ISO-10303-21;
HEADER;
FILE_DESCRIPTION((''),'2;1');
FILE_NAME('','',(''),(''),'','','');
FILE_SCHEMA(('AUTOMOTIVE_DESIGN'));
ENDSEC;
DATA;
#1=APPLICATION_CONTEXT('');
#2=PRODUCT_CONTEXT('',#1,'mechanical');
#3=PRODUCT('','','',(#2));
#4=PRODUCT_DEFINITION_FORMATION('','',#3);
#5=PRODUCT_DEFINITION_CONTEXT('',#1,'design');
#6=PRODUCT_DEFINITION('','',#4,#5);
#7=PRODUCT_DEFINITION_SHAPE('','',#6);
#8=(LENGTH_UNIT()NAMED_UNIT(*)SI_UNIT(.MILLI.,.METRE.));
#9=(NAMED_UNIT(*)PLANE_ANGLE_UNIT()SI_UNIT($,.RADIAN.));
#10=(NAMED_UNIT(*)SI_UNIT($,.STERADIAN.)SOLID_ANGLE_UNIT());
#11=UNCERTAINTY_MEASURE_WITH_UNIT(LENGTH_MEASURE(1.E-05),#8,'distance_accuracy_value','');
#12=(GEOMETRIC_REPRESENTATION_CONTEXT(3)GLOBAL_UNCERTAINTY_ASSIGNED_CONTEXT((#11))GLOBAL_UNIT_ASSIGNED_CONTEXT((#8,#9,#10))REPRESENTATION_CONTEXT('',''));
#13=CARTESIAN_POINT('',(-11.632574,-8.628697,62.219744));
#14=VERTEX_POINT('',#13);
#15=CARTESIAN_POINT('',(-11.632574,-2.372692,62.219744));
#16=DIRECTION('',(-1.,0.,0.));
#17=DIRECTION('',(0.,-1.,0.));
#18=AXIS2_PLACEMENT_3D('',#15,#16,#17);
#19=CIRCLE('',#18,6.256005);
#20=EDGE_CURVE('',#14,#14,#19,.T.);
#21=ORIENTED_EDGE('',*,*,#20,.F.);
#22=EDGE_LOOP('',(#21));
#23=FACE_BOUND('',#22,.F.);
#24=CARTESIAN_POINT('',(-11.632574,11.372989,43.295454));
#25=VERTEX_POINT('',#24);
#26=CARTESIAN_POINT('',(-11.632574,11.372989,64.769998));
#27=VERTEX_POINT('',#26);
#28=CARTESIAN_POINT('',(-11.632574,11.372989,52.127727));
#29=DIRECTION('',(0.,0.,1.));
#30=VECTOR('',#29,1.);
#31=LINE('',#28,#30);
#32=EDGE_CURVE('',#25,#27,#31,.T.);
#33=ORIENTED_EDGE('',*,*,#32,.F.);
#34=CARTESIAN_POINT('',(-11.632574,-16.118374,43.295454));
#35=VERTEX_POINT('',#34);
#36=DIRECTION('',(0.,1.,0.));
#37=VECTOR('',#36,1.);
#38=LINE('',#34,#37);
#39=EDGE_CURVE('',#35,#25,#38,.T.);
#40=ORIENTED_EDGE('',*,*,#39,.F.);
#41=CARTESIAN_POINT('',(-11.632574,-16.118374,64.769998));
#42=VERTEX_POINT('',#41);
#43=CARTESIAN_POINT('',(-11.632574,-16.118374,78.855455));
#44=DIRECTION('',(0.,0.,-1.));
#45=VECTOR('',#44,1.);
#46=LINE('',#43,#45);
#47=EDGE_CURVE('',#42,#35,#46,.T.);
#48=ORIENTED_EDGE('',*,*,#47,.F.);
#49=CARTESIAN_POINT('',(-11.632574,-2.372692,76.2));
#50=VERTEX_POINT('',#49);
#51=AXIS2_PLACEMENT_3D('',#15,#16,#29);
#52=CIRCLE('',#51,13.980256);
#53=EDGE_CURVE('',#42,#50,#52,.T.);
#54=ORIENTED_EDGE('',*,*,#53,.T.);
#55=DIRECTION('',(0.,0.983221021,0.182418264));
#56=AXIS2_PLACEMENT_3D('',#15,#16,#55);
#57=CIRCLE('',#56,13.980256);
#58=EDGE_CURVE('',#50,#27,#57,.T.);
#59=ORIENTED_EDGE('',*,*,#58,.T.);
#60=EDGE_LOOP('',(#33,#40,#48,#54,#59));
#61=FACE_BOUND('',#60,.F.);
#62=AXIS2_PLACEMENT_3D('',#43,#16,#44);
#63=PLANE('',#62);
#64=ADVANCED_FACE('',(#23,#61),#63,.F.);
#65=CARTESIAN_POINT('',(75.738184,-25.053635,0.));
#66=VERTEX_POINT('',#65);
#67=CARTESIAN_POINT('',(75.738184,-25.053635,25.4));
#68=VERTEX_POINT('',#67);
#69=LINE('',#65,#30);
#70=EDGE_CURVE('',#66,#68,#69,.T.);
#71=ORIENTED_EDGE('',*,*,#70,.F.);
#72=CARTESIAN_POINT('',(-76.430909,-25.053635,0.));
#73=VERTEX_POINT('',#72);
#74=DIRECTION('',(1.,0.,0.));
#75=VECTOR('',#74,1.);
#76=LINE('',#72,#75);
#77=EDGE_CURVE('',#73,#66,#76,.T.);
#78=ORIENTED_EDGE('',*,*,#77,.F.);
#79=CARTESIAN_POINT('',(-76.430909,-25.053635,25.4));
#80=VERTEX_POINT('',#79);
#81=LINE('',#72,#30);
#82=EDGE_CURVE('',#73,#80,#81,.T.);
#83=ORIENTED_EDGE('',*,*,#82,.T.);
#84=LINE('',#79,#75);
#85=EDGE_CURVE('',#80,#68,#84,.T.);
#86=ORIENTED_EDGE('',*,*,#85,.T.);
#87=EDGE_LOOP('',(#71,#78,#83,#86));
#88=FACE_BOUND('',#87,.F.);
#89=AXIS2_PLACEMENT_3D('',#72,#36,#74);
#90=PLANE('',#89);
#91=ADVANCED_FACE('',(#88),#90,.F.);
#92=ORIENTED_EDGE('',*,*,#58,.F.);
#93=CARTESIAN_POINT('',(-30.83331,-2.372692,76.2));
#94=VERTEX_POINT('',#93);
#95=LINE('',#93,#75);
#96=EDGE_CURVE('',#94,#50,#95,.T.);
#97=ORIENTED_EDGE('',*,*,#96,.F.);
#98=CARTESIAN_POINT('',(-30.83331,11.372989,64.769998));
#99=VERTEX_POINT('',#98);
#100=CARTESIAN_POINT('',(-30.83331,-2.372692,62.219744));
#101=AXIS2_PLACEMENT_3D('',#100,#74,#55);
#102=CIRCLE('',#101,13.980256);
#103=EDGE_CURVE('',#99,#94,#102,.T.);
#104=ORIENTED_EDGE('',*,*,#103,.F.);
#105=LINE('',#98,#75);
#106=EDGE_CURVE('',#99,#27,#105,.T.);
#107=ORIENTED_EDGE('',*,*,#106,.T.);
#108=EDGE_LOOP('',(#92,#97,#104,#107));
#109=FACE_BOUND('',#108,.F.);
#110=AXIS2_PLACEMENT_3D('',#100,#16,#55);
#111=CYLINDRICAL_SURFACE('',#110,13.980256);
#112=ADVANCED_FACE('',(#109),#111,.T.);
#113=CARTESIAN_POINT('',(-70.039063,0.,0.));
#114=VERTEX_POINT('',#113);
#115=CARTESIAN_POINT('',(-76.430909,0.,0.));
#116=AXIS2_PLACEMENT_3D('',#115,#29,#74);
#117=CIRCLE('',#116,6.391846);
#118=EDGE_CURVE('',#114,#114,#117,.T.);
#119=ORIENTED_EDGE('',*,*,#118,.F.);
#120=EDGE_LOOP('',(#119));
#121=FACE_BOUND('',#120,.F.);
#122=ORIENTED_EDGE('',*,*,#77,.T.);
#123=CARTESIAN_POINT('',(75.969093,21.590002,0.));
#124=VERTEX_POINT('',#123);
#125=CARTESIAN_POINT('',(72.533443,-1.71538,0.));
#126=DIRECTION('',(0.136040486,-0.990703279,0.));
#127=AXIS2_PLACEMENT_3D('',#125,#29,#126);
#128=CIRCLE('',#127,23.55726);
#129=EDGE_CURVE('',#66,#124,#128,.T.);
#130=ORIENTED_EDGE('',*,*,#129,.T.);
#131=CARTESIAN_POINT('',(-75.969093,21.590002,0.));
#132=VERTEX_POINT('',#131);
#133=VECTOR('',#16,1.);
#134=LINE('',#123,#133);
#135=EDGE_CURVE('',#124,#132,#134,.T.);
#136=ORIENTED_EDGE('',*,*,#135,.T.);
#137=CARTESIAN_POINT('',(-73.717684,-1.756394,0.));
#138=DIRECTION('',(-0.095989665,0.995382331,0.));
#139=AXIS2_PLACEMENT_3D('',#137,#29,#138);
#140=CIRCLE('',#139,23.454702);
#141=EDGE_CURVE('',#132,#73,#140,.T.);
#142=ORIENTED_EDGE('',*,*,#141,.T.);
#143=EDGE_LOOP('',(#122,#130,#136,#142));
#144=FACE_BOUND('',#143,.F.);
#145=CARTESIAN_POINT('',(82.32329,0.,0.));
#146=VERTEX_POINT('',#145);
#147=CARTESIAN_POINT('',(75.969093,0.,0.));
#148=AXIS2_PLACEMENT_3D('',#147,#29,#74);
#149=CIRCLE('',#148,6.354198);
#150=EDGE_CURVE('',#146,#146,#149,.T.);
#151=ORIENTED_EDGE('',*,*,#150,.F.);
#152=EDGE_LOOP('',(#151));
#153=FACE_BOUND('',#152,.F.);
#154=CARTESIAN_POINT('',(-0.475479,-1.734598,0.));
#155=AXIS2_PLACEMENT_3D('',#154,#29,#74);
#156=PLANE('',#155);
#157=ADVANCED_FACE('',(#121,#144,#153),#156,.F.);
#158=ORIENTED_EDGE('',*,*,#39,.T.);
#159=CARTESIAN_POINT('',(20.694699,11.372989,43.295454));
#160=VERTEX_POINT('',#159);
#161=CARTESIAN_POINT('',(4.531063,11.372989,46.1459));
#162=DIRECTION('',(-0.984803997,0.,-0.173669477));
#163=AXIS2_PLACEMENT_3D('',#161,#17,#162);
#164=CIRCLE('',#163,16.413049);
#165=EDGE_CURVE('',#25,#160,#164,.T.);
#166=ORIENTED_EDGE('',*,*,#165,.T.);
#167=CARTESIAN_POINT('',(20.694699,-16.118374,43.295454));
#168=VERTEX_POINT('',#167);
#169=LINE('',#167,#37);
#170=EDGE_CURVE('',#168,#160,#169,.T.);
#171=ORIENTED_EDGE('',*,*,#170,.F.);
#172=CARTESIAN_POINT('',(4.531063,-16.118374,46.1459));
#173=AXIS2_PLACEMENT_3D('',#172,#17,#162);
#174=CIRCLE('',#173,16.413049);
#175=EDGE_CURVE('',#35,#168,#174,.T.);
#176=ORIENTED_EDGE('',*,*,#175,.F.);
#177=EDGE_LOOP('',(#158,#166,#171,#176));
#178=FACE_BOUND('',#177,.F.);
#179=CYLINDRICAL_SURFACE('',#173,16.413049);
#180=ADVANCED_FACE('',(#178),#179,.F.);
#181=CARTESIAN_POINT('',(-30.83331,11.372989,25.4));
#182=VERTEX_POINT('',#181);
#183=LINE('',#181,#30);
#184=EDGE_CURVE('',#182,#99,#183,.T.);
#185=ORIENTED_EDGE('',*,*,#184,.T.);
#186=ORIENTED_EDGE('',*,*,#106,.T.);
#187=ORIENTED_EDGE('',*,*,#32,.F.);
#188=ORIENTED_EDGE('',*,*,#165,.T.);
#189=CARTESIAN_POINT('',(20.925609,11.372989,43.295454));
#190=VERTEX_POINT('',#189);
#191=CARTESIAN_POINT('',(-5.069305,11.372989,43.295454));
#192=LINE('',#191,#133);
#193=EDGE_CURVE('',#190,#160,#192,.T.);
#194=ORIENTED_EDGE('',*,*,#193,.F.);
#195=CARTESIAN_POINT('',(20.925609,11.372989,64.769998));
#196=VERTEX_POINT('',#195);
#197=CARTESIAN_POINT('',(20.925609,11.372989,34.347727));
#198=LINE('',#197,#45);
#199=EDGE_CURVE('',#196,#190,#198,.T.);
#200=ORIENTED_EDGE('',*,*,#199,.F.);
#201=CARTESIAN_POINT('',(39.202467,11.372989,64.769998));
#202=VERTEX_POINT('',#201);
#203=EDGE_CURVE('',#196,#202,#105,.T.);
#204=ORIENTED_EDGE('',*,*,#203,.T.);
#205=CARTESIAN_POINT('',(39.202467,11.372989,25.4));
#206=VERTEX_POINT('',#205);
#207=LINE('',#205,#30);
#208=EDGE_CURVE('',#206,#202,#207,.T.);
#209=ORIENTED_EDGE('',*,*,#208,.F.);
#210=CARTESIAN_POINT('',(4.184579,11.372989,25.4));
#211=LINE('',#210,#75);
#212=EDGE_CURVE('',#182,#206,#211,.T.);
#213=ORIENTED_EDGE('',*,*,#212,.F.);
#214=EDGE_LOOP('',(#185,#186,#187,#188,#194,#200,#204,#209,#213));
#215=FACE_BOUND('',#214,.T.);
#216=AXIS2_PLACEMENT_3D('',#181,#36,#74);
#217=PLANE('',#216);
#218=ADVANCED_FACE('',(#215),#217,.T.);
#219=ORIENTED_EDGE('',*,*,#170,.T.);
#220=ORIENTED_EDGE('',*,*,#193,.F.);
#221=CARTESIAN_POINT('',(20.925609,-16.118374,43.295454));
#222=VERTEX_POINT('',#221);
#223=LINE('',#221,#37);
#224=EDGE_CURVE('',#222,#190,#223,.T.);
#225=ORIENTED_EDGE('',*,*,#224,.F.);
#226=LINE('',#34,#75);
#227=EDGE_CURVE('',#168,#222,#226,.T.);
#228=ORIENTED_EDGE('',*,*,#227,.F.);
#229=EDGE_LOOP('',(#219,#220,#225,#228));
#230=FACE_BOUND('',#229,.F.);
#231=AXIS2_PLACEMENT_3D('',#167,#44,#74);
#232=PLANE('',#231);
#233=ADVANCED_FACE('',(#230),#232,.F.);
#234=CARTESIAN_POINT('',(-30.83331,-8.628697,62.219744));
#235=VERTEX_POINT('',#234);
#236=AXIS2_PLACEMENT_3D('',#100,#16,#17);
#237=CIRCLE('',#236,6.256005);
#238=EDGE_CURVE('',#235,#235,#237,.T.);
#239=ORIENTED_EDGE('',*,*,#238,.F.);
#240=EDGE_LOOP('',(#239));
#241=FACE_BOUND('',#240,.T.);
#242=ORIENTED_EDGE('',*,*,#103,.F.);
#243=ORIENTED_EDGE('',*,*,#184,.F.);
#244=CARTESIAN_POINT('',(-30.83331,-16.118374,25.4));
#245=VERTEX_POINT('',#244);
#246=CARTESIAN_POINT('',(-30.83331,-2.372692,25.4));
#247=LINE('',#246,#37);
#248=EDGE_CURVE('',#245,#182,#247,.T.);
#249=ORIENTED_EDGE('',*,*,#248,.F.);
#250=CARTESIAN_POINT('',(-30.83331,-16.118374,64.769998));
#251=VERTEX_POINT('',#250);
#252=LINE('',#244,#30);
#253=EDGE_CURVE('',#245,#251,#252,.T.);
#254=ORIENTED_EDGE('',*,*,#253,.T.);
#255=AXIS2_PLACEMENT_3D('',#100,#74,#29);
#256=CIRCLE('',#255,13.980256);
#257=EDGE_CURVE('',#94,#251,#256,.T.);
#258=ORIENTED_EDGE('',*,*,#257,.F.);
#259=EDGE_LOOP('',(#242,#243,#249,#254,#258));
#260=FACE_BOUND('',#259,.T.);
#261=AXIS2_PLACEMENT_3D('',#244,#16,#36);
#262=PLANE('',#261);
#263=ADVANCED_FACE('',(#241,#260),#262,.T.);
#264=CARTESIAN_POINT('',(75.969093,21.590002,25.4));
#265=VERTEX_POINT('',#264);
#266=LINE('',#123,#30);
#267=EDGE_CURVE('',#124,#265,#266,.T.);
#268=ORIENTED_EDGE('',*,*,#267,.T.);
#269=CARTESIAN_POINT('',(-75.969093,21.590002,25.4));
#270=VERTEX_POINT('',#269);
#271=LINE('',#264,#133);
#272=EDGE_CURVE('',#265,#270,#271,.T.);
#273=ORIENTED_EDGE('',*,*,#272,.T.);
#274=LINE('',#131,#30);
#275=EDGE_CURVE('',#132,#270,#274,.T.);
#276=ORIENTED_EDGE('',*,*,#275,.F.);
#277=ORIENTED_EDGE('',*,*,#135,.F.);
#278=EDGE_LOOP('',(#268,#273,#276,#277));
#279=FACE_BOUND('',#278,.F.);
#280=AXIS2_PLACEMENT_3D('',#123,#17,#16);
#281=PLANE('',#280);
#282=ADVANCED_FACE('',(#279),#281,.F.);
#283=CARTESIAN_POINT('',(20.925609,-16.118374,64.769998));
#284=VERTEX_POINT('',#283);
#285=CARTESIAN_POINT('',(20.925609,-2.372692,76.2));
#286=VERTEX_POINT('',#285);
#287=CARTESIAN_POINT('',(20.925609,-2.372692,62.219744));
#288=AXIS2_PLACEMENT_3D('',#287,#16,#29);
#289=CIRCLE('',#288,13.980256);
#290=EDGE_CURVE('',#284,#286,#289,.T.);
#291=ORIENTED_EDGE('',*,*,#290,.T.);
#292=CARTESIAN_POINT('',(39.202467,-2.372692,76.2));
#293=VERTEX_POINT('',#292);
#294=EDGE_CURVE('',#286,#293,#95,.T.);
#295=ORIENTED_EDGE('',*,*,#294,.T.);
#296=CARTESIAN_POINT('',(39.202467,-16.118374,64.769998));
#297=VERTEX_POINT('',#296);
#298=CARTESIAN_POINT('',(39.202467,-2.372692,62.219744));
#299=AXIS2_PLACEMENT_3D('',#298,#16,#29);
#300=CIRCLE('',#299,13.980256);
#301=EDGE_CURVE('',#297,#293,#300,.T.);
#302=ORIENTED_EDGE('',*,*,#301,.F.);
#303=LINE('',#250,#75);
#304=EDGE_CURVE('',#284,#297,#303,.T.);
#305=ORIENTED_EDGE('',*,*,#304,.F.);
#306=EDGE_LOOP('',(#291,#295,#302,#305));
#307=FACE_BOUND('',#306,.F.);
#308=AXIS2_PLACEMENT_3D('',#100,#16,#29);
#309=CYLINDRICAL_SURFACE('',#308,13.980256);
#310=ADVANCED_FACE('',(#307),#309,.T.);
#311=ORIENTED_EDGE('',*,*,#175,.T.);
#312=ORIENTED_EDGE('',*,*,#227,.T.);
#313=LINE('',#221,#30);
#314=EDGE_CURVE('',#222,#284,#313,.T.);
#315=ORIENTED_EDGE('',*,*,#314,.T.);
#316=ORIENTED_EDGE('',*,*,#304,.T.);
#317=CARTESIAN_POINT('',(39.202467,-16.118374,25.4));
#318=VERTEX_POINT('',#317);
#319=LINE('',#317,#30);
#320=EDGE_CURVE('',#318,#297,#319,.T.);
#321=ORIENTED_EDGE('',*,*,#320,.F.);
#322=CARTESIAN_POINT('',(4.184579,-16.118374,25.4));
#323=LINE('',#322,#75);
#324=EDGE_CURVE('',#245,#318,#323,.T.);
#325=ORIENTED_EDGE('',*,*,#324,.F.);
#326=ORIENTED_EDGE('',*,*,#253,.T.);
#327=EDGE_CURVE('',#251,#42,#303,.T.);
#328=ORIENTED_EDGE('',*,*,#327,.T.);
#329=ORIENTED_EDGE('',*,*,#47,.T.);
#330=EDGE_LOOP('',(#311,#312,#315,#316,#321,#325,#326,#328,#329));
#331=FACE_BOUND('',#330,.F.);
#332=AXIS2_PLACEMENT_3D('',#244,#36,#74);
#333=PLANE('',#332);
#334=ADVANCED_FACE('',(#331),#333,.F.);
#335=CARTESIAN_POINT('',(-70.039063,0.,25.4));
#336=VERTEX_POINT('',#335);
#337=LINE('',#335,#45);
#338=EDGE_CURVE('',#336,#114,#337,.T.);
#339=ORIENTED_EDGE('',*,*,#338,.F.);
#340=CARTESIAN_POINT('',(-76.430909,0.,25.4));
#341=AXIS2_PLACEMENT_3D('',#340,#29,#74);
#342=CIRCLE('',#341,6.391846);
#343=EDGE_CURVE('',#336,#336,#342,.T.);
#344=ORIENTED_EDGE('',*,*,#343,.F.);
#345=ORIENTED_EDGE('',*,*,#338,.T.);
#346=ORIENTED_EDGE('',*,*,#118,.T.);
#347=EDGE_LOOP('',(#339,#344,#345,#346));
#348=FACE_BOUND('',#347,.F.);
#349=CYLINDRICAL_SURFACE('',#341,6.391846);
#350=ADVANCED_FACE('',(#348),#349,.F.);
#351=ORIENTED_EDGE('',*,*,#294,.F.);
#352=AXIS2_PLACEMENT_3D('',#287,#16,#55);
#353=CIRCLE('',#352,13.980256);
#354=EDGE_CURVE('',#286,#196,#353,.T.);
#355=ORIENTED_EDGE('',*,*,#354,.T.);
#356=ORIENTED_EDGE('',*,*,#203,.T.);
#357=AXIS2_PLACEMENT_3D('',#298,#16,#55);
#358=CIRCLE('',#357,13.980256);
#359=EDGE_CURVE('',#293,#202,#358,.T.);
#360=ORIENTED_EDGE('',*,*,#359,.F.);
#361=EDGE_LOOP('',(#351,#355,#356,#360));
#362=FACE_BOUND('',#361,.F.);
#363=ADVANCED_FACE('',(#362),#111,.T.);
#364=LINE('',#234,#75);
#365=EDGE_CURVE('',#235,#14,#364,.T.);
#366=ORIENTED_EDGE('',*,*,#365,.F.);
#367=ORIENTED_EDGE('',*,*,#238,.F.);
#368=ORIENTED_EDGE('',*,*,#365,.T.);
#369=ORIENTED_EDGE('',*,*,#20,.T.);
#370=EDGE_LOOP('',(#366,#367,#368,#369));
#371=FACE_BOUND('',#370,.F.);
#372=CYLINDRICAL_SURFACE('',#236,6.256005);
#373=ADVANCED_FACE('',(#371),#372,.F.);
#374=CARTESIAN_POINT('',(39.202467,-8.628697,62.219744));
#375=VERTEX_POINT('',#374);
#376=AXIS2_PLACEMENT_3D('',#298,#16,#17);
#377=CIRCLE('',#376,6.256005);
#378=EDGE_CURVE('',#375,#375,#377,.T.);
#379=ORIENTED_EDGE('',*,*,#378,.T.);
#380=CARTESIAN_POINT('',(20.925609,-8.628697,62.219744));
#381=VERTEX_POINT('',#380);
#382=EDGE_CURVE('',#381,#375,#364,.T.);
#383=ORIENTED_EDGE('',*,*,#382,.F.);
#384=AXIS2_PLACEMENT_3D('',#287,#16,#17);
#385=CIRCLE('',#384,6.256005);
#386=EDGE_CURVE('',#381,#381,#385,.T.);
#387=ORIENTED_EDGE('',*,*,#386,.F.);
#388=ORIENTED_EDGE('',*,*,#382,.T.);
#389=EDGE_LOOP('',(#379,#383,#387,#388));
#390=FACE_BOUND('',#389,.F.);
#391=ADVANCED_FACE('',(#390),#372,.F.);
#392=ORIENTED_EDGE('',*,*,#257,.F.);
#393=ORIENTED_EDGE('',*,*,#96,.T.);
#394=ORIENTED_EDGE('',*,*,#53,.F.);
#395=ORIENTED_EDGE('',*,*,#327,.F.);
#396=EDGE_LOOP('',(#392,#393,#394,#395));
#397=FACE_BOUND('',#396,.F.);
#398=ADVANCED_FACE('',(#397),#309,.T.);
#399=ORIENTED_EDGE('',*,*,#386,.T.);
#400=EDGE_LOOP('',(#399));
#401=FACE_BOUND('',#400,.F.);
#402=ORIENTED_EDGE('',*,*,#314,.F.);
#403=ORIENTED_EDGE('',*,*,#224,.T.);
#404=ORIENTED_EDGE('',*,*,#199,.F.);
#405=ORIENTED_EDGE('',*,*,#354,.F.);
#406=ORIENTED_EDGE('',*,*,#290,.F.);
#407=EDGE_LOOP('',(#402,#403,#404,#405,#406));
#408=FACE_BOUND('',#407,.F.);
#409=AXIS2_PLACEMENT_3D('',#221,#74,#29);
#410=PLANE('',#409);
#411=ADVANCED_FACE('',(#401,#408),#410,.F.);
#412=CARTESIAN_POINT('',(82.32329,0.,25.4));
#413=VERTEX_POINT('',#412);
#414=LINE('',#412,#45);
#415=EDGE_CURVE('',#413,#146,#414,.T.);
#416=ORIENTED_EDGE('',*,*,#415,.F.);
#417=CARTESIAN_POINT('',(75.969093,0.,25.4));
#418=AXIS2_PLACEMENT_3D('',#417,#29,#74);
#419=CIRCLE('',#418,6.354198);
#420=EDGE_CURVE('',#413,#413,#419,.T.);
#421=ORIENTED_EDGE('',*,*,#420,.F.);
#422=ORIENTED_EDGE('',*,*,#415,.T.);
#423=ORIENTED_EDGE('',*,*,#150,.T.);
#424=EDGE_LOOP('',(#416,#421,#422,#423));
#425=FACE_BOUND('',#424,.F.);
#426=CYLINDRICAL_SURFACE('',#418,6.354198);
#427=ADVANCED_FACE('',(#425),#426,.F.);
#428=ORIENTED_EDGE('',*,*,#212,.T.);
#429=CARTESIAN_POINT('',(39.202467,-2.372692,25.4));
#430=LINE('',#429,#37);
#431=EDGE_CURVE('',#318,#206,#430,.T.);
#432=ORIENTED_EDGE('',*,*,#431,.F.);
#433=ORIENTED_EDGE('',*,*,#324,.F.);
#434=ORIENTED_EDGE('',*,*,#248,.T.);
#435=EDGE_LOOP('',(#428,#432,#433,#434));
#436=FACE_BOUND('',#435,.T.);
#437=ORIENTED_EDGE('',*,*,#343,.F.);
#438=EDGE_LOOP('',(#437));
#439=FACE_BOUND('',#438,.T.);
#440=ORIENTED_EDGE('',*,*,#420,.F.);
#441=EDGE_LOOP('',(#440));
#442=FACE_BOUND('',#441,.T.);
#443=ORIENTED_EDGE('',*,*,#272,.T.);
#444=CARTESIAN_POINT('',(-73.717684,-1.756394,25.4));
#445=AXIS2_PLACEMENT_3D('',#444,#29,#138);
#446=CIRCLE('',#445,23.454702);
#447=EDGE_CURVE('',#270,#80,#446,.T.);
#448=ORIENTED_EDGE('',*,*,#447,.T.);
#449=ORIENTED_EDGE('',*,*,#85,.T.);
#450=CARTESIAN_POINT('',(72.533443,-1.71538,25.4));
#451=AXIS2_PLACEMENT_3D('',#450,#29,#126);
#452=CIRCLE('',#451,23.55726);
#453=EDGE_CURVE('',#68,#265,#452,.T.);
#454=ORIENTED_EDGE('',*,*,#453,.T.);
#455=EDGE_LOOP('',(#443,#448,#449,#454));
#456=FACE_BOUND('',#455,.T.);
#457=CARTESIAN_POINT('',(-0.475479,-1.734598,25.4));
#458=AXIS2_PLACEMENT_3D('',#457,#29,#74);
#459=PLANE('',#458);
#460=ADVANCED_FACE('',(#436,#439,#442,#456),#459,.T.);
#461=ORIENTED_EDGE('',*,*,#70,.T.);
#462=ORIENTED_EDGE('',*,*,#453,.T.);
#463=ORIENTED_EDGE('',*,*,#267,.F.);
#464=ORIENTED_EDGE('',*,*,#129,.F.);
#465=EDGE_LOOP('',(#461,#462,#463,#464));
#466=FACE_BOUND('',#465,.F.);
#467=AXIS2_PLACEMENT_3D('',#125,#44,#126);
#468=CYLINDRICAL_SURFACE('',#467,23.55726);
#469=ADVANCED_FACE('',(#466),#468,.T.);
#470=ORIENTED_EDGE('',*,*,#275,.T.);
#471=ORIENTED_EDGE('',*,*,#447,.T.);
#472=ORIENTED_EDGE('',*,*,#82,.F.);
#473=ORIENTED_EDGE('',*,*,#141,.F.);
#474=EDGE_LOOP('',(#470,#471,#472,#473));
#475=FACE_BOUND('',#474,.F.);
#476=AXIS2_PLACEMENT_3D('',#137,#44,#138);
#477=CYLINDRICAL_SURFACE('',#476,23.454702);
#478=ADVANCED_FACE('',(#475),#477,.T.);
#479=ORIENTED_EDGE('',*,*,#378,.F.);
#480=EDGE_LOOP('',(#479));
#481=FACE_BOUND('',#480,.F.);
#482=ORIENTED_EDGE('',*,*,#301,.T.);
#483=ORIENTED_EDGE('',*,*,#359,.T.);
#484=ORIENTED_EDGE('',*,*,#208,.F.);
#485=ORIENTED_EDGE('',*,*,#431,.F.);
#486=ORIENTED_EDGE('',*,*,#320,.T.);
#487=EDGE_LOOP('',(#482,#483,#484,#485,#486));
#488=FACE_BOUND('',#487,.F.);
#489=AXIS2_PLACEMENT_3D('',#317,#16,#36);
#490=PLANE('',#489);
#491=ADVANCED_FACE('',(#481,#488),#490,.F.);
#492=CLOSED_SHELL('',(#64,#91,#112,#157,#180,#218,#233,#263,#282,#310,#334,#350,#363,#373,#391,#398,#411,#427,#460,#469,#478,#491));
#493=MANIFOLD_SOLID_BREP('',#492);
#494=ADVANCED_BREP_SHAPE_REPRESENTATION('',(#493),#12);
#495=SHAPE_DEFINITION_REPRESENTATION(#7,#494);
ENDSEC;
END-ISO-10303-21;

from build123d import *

# Parameters (mm, degrees)
F1_DEPTH  = 25.4
F2_R      = 6.3918462825
F3_DEPTH  = 25.401
F4_R      = 6.3541975942
F5_DEPTH  = 25.401
F6_W      = 70.0357761234
F6_H      = 27.4913627654
F7_DEPTH  = 50.8
F9_DEPTH  = 126.9250129275
F10_R     = 6.2560049958
F11_DEPTH = 126.9250129275
F13_DEPTH = 37.709375603


with BuildPart() as f1:
    # F0 (on Top) → F1 (new body)
    with BuildSketch(Plane.XY):
        with BuildLine():
            Line((75.9690925479, 21.5900018811), (-75.9690925479, 21.5900018811))
            ThreePointArc((-75.9690925479, 21.5900018811), (-97.1712359727, -1.524181319), (-76.4309093356, -25.0536352396))
            Line((-76.4309093356, -25.0536352396), (75.738184154, -25.0536352396))
            ThreePointArc((75.738184154, -25.0536352396), (96.0904147546, -1.8319984366), (75.9690925479, 21.5900018811))
        make_face()
    extrude(amount=F1_DEPTH)

    # F2 (on face) → F3 (cut, through all)
    with BuildSketch(Plane.XY.offset(25.4)):
        with Locations((-76.4309093356, 0)):
            Circle(F2_R)
    extrude(amount=-F3_DEPTH, mode=Mode.SUBTRACT)

    # F4 (on face) → F5 (cut, through all)
    with BuildSketch(Plane.XY.offset(25.4)):
        with Locations((75.9690925479, 0)):
            Circle(F4_R)
    extrude(amount=-F5_DEPTH, mode=Mode.SUBTRACT)

    # F6 (on face) → F7 (join)
    with BuildSketch(Plane.XY.offset(25.4)):
        with Locations((4.1845785454, -2.3726923391)):
            Rectangle(F6_W, F6_H)
    extrude(amount=F7_DEPTH)

    # F8 (on face) → F9 (cut, through all)
    with BuildSketch(Plane(origin=(-30.8333095163, 0, 0), x_dir=(0, -1, 0), z_dir=(-1, 0, 0))):
        with BuildLine():
            ThreePointArc((-11.3729890436, 64.7699981928), (-6.5658296023, 72.9691803573), (2.3726923391, 76.2))
            Line((2.3726923391, 76.2), (-11.3729890436, 76.2))
            Line((-11.3729890436, 76.2), (-11.3729890436, 64.7699981928))
        make_face()
        with BuildLine():
            Line((16.1183737218, 76.2), (2.3726923391, 76.2))
            ThreePointArc((2.3726923391, 76.2), (11.3112142805, 72.9691803573), (16.1183737218, 64.7699981928))
            Line((16.1183737218, 64.7699981928), (16.1183737218, 76.2))
        make_face()
    extrude(amount=-F9_DEPTH, mode=Mode.SUBTRACT)

    # F10 (on face) → F11 (cut, through all)
    with BuildSketch(Plane(origin=(-30.8333095163, 0, 0), x_dir=(0, -1, 0), z_dir=(-1, 0, 0))):
        with Locations((2.3726923391, 62.2197442057)):
            Circle(F10_R)
    extrude(amount=-F11_DEPTH, mode=Mode.SUBTRACT)

    # F12 (on face) → F13 (cut, through all)
    with BuildSketch(Plane.XZ.offset(16.1183737218)):
        Polygon((-11.6325737908, 78.8554549217), (-11.6325737908, 43.2954542339), (20.6946991384, 43.2954542339), (20.9256093949, 43.2954542339), (20.9256093949, 78.8554549217), align=None)
        with BuildLine():
            Line((20.6946991384, 43.2954542339), (-11.6325737908, 43.2954542339))
            ThreePointArc((-11.6325737908, 43.2954542339), (4.5310626738, 29.7328506966), (20.6946991384, 43.2954542339))
        make_face()
    extrude(amount=-F13_DEPTH, mode=Mode.SUBTRACT)


solid = f1.part
